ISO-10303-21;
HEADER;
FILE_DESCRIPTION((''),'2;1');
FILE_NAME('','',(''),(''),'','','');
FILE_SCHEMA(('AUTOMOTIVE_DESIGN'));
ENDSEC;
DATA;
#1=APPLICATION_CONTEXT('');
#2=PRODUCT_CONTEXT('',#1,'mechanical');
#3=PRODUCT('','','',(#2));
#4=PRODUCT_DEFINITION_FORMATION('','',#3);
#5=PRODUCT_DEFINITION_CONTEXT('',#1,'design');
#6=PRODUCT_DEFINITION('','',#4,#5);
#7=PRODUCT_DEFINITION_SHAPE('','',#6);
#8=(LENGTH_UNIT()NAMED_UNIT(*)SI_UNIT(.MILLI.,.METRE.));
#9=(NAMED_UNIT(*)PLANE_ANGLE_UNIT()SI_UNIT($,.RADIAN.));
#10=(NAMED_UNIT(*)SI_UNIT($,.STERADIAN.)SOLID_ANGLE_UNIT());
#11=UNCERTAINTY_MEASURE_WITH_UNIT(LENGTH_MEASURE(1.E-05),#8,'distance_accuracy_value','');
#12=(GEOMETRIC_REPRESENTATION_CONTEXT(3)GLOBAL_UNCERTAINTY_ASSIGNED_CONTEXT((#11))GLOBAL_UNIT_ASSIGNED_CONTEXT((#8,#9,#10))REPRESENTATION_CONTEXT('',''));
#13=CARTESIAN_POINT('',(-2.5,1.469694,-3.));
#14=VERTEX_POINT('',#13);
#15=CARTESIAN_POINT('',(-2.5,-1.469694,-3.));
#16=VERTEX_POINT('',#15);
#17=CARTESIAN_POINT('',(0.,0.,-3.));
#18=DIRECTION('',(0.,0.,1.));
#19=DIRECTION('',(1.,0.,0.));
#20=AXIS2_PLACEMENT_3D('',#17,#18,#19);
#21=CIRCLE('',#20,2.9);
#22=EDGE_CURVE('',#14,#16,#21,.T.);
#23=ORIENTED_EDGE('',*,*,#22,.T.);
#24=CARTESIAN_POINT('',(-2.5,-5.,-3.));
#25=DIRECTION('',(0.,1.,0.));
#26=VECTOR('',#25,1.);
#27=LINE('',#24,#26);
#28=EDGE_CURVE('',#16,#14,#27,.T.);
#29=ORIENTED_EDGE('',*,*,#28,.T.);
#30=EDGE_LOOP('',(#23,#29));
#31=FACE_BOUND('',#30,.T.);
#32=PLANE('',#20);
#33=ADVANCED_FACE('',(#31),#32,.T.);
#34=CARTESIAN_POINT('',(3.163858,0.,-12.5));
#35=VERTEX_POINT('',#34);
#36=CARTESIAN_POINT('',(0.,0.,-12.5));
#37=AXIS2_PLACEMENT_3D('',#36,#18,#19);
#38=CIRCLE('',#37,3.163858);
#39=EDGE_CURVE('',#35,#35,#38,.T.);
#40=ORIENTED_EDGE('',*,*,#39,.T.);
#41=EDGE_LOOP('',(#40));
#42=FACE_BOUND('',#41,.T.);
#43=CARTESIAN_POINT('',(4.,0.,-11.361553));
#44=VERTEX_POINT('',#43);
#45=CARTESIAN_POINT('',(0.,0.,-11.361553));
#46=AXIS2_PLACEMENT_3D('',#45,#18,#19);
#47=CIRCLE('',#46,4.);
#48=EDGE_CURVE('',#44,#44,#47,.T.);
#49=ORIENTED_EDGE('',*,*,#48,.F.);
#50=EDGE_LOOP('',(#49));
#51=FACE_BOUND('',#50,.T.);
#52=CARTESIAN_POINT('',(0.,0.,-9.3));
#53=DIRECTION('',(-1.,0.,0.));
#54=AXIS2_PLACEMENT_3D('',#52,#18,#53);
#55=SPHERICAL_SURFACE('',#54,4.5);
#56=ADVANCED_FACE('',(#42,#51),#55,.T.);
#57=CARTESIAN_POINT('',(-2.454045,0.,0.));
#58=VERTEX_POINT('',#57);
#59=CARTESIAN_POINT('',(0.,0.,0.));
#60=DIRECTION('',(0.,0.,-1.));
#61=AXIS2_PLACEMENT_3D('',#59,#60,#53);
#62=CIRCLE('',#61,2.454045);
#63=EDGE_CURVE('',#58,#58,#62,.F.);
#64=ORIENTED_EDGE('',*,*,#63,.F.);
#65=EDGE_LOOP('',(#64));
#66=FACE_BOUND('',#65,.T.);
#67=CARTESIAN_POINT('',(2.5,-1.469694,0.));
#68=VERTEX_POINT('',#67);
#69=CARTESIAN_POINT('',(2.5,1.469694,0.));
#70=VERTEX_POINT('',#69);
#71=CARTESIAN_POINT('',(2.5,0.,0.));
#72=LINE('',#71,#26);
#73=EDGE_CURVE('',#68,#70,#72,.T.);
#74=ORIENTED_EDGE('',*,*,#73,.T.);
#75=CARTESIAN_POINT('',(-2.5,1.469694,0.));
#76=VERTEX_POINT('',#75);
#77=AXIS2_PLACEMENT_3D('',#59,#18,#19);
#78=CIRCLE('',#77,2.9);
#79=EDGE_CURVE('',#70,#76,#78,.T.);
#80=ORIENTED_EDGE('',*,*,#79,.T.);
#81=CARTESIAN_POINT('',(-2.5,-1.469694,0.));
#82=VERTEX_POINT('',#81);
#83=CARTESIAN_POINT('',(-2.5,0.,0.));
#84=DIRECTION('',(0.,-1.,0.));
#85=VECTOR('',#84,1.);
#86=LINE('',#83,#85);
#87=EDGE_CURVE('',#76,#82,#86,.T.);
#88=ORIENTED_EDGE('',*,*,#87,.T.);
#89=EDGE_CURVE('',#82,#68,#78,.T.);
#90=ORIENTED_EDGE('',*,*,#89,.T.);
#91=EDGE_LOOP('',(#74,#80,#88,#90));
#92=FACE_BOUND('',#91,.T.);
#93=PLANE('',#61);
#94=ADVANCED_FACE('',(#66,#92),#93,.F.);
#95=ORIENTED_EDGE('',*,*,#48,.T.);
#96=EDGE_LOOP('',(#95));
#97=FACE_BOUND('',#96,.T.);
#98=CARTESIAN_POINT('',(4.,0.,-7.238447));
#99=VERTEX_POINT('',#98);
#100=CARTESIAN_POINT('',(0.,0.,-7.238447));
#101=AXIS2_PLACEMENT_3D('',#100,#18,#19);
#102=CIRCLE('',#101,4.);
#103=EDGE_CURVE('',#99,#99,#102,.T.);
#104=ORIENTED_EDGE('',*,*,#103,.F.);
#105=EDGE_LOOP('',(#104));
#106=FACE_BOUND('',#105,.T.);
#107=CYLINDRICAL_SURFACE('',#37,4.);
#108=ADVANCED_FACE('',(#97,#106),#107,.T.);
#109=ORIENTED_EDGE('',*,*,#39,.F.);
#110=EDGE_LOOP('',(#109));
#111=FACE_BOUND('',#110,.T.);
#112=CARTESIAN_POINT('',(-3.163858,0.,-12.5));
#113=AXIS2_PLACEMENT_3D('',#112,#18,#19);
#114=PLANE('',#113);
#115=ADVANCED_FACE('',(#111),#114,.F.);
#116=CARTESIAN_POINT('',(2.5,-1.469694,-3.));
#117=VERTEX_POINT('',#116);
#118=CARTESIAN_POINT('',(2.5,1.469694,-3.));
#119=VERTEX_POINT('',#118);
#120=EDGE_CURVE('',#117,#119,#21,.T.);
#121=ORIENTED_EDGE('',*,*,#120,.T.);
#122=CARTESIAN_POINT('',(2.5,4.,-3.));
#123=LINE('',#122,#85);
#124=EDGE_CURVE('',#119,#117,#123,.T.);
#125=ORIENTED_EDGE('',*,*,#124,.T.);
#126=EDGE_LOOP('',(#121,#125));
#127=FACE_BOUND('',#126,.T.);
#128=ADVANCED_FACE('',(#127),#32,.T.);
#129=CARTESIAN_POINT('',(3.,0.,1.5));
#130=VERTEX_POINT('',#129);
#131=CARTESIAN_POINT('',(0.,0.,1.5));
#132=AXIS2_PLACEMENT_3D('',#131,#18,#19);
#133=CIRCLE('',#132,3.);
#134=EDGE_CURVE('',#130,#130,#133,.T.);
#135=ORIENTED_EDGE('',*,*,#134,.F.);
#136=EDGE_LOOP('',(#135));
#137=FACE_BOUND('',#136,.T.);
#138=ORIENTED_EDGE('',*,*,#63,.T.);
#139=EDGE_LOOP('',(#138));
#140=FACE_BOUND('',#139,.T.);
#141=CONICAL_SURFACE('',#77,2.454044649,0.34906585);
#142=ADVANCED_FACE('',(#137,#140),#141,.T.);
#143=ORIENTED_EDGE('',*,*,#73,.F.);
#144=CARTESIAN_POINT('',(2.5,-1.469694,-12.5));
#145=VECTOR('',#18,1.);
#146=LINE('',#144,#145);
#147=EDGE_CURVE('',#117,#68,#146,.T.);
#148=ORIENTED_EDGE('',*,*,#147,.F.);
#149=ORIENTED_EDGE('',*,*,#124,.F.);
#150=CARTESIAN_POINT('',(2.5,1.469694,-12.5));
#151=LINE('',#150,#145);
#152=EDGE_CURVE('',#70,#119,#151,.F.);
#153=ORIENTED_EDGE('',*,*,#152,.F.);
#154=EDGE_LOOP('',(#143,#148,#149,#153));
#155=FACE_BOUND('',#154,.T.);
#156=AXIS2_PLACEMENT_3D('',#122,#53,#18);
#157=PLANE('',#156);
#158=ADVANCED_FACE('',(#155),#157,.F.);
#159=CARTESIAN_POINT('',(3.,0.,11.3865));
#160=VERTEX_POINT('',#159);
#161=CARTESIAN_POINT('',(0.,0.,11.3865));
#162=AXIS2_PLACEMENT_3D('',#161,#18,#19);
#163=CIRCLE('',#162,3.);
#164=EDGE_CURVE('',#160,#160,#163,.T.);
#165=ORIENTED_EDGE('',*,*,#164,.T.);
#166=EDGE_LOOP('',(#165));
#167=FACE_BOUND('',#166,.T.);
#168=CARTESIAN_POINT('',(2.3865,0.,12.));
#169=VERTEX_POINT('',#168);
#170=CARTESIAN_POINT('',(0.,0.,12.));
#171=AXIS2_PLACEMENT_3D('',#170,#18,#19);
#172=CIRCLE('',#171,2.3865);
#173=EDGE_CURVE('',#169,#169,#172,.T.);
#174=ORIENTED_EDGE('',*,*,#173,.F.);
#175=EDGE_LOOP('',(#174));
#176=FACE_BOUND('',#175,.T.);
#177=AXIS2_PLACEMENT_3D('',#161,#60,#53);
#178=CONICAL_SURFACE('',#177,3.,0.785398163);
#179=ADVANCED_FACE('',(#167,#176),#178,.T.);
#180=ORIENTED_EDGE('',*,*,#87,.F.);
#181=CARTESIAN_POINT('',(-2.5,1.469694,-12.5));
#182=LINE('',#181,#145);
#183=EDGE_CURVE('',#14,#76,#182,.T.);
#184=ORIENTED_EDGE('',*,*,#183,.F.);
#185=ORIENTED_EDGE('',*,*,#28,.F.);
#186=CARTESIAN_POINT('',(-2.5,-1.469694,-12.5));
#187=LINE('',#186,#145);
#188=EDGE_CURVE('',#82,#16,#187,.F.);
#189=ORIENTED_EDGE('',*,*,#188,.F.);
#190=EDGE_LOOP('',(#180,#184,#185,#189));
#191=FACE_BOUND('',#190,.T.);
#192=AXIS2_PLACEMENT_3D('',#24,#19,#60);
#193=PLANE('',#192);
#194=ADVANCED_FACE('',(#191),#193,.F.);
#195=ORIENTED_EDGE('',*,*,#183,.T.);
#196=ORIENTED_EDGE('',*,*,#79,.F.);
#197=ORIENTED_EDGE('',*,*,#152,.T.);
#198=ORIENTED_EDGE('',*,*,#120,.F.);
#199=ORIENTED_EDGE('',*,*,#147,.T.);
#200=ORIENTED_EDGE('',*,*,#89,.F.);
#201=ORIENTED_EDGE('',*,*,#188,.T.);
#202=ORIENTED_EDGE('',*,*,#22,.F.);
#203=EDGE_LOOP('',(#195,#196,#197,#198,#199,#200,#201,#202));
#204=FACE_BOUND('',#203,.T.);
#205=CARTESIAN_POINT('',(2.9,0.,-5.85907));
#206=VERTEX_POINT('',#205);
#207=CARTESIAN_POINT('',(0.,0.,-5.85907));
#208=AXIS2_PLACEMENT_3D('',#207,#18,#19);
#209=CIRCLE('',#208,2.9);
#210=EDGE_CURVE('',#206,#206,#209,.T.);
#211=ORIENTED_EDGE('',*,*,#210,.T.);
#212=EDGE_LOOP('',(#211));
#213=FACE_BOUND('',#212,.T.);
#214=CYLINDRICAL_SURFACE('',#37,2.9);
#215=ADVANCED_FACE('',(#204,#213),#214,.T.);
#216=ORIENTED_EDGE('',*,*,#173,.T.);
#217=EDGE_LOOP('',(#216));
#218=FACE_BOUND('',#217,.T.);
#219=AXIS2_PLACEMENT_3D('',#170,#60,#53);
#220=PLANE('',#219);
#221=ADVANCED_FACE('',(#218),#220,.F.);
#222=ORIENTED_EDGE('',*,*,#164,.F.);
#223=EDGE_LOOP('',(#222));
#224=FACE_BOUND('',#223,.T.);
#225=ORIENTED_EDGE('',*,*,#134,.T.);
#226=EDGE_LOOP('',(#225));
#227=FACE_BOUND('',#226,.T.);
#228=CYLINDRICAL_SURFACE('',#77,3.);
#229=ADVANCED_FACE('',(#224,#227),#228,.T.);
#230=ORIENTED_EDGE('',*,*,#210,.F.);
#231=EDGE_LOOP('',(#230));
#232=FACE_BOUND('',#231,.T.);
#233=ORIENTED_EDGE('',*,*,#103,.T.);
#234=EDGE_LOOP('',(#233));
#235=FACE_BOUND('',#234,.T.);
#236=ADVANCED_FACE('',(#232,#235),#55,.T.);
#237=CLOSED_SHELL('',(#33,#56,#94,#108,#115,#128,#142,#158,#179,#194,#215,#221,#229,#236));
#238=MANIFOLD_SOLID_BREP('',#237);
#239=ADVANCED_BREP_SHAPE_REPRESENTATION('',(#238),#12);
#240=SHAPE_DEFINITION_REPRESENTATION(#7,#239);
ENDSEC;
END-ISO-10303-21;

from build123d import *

# Parameters (mm, degrees)
SCHNITT_LINEAR_AUSTRAGEN1_DEPTH      = 3
SCHNITT_LINEAR_AUSTRAGEN1_DEPTH_BACK = 3


with BuildPart() as part:
    # Skizze1 → Rotation1 (revolve)
    with BuildSketch(Plane(origin=(0, 0, 0), x_dir=(1, 0, 0), z_dir=(0, 1, 0))):
        with BuildLine():
            Line((0, 0), (-2.9, 0))
            Line((-2.9, 0), (-2.9, 5.859069893))
            ThreePointArc((-2.9, 5.859069893), (-3.518262416, 6.494321905), (-4, 7.238447187))
            Line((-4, 7.238447187), (-4, 11.361552813))
            ThreePointArc((-4, 11.361552813), (-3.626876384, 11.963788222), (-3.163858404, 12.5))
            Line((-3.163858404, 12.5), (0, 12.5))
            Line((0, 12.5), (0, 0))
        make_face()
    revolve(axis=Axis((0, 0, -12.5), (0, 0, 1)))

    # Skizze2 → Schnitt-Linear austragen1 (cut, two sides: drawn at the far end of the back side and taken through both)
    with BuildSketch(Plane.XY.offset(-SCHNITT_LINEAR_AUSTRAGEN1_DEPTH_BACK)):
        Polygon((6, 4), (2.5, 4), (2.5, -5), (-2.5, -5), (-2.5, 4), (-6, 4), (-6, -6), (6, -6), align=None)
    extrude(amount=SCHNITT_LINEAR_AUSTRAGEN1_DEPTH + SCHNITT_LINEAR_AUSTRAGEN1_DEPTH_BACK, mode=Mode.SUBTRACT)

    # Skizze3 → Rotation2 (revolve)
    with BuildSketch(Plane(origin=(0, 0, 0), x_dir=(1, 0, 0), z_dir=(0, 1, 0))):
        Polygon((0, -12), (-2.3865, -12), (-3, -11.3865), (-3, -1.5), (-2.454044649, 0), (0, 0), align=None)
    revolve(axis=Axis((0, 0, 0), (0, 0, 1)))


solid = part.part
